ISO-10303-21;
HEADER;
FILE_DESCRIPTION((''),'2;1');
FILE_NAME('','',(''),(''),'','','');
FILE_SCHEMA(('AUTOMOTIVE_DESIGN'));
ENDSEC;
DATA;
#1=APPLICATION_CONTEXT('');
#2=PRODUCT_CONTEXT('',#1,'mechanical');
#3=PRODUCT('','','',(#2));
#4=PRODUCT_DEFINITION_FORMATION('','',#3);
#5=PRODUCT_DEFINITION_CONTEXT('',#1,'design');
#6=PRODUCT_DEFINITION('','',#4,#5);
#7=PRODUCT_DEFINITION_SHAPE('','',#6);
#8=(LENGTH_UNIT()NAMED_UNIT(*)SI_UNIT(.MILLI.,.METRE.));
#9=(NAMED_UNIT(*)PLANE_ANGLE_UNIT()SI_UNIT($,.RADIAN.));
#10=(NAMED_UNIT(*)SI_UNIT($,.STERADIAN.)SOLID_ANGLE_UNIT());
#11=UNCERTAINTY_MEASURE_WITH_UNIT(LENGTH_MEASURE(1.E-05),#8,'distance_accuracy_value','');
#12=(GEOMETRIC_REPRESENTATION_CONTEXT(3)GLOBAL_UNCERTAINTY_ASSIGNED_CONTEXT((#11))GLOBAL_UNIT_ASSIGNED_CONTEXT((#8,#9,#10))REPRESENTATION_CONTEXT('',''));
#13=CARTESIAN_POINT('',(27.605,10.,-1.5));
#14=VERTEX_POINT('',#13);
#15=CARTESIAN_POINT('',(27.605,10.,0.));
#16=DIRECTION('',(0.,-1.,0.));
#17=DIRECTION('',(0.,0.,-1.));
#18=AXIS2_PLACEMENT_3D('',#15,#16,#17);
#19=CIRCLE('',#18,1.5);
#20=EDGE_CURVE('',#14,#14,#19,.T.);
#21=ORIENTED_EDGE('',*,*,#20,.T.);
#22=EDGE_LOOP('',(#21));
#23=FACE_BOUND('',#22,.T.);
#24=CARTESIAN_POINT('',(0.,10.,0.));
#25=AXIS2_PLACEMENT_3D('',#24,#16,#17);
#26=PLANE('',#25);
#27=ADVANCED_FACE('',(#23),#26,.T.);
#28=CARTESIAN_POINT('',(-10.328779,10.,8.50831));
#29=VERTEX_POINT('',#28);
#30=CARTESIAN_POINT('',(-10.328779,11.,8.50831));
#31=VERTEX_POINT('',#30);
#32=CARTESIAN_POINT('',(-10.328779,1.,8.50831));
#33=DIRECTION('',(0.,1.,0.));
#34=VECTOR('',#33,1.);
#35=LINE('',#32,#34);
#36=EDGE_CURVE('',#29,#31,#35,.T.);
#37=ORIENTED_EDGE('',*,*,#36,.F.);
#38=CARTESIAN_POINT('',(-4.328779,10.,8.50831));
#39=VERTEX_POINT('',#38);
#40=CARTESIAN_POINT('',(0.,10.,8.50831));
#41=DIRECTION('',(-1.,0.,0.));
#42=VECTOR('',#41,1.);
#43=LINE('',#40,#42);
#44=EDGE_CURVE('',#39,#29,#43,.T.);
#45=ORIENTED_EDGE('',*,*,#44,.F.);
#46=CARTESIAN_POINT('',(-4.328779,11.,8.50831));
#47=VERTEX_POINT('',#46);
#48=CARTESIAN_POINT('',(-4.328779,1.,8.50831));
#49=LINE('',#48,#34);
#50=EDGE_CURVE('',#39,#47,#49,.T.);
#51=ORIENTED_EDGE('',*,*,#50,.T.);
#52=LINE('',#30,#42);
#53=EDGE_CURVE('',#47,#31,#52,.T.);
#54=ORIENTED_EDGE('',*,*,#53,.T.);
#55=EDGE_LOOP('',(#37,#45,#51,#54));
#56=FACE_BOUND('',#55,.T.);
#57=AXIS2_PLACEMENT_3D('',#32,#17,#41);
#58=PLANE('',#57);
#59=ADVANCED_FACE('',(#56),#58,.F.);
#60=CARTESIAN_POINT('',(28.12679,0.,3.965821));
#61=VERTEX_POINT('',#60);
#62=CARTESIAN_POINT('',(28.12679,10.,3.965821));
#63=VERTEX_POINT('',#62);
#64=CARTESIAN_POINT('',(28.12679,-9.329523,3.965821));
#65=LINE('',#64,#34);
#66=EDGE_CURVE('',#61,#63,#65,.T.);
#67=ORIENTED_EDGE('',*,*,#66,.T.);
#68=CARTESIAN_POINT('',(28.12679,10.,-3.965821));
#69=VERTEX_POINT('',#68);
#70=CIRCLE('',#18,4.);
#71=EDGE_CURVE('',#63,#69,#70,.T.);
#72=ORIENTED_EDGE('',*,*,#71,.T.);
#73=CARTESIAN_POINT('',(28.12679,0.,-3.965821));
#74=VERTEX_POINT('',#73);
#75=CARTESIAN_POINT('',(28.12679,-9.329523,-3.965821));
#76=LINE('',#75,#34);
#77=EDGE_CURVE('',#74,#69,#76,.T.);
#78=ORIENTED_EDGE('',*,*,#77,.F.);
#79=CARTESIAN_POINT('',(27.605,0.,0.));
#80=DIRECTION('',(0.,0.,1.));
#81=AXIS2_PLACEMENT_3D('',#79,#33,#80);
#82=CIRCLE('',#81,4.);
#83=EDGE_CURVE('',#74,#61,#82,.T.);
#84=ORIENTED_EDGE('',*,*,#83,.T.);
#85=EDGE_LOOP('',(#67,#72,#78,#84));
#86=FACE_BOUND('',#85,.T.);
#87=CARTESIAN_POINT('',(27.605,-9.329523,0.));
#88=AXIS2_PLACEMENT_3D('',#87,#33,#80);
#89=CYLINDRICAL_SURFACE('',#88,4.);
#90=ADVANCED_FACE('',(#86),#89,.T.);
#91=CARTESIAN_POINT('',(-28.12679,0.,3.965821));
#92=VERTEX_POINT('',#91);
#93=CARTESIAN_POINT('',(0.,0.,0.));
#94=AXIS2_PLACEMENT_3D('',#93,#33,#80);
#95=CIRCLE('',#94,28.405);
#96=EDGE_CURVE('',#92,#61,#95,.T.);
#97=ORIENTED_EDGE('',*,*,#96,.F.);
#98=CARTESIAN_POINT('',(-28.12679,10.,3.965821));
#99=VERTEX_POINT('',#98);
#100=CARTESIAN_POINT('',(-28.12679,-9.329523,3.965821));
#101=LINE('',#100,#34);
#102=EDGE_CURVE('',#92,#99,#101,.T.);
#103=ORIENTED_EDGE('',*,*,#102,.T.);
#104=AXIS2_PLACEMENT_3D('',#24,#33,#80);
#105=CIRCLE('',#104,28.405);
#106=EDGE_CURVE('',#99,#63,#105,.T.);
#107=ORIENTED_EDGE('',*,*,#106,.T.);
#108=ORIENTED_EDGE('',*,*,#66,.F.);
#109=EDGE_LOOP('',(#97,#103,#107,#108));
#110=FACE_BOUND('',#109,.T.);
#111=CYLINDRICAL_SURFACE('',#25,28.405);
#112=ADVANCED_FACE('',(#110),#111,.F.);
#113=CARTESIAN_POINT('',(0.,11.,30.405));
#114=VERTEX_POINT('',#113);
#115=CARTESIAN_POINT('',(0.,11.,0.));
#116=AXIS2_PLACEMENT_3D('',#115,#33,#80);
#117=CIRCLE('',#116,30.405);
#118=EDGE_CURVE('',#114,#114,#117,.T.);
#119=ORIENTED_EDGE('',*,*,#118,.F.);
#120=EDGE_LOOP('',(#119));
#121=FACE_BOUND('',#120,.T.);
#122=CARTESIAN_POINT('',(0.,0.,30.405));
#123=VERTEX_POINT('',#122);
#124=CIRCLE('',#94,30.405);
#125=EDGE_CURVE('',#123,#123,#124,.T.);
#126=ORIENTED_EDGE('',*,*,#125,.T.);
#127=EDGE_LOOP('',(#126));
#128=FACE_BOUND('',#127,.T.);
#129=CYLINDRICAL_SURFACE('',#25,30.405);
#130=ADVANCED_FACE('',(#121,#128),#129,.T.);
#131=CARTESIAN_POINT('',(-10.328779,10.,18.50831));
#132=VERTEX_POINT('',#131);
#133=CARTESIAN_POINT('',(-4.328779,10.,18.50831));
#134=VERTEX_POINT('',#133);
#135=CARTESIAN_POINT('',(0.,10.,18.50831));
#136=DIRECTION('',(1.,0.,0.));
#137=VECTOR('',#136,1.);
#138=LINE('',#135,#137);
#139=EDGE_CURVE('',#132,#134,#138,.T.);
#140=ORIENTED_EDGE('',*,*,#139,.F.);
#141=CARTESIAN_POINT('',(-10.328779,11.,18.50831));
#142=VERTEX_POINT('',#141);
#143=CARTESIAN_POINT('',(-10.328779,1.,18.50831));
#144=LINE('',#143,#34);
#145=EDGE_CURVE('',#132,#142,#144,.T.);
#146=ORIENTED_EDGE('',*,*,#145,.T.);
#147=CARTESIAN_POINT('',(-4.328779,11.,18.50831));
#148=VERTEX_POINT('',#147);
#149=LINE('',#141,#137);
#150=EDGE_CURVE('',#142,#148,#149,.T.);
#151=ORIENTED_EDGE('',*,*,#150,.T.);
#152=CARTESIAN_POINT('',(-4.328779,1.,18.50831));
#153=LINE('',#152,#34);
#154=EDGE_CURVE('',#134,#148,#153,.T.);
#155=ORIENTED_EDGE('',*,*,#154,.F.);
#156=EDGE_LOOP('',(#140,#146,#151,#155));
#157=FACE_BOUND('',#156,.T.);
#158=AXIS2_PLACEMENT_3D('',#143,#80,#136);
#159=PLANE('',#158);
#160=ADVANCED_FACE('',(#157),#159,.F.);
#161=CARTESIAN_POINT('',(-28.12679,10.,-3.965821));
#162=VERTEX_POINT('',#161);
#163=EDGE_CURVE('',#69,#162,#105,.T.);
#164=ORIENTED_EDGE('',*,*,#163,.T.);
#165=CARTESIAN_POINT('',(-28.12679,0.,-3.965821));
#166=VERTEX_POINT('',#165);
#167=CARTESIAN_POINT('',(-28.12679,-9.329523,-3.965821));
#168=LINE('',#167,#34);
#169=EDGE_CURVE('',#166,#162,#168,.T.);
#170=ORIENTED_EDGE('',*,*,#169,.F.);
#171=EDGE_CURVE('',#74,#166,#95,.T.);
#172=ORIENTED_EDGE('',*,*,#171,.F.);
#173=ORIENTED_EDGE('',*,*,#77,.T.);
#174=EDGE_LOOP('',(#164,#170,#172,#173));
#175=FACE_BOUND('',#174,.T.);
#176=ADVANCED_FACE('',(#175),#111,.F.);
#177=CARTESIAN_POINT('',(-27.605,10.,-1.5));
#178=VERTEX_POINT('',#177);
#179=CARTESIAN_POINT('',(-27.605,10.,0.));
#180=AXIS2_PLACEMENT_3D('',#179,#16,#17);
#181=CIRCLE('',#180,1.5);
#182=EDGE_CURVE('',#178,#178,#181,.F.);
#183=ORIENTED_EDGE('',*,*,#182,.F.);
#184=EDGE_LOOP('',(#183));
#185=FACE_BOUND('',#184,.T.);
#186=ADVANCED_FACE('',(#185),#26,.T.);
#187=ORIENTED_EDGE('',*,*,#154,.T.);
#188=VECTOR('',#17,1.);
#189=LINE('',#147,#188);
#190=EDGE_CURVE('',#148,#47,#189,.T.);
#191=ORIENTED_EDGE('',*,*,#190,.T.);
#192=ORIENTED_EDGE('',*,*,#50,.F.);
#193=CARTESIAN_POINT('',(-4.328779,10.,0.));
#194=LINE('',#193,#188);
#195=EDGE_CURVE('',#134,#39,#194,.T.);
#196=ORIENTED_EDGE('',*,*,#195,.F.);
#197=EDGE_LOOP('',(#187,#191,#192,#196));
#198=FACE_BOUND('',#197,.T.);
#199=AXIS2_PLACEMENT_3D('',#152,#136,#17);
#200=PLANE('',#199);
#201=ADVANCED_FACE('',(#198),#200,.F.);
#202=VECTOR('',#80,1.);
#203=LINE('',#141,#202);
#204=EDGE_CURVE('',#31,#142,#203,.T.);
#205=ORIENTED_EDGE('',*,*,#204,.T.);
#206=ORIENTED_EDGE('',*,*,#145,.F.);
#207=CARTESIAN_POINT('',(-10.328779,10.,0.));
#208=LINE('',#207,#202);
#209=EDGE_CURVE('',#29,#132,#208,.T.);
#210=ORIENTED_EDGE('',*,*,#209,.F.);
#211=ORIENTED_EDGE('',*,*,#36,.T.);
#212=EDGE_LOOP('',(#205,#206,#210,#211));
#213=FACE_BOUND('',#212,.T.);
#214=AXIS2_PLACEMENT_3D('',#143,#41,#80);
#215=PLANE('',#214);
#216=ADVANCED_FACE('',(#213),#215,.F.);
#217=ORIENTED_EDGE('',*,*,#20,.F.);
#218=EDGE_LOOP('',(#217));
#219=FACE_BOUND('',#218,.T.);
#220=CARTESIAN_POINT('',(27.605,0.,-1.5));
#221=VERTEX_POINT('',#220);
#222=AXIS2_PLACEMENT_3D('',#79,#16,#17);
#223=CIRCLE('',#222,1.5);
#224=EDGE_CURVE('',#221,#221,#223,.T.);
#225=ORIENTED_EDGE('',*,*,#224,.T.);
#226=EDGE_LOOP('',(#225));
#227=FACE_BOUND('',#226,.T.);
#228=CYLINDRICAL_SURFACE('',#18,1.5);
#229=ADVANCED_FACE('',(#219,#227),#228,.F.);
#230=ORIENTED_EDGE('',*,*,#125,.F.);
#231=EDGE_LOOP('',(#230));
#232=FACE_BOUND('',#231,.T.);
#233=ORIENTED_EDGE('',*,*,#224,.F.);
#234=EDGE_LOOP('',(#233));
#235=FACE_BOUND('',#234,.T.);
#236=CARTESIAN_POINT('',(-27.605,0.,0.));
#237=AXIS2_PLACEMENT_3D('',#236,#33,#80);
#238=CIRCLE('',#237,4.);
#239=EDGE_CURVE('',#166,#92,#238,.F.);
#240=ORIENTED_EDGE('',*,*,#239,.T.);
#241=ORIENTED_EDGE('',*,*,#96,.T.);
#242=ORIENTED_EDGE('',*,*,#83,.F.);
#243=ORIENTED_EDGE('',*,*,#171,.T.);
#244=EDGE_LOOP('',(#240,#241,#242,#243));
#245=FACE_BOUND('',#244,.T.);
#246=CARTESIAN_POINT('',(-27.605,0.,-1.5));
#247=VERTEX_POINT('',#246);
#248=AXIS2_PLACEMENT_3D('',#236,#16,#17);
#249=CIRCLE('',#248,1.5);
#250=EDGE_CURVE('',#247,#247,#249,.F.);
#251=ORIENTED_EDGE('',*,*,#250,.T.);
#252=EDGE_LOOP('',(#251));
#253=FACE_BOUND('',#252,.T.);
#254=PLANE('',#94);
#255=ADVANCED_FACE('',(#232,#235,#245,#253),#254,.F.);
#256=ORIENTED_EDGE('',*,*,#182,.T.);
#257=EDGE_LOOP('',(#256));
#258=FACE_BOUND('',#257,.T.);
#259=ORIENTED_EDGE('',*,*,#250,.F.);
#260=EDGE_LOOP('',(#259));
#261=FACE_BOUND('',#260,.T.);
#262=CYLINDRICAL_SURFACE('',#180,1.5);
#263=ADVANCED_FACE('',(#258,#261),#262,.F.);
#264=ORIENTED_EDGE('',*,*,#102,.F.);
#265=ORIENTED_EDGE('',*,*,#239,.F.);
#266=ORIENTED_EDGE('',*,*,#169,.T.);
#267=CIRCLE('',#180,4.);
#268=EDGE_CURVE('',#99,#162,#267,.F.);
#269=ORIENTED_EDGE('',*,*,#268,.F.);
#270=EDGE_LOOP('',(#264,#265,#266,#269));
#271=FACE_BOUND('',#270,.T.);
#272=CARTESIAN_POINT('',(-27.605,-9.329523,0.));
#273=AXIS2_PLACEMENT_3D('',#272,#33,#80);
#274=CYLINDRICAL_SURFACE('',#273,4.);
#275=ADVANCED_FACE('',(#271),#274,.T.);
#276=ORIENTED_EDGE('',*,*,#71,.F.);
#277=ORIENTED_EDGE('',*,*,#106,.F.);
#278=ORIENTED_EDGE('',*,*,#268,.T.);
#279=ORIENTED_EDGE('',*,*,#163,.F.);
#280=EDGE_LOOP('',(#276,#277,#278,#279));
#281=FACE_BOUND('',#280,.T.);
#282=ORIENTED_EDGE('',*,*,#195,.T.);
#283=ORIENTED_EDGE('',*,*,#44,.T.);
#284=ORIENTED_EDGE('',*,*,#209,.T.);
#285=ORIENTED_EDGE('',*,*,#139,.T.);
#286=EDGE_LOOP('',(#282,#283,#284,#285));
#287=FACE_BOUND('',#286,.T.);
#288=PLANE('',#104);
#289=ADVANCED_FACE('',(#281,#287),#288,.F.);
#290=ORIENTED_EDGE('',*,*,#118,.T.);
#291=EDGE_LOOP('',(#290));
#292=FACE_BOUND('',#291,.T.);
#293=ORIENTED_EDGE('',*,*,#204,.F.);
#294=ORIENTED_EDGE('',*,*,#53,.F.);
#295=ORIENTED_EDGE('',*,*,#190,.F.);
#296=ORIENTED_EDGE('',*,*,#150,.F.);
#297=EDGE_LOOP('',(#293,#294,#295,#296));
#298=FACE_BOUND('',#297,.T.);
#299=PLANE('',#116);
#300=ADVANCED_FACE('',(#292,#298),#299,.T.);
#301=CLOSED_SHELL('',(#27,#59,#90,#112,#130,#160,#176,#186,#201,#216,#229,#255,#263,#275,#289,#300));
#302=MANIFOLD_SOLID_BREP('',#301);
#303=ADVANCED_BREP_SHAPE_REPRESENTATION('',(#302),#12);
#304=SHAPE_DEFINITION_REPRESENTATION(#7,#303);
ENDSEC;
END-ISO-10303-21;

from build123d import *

# Parameters (mm, degrees)
SKIZZE1_R                       = 30.405
SKIZZE1_R_2                     = 28.405
AUFSATZ_LINEAR_AUSTRAGEN1_DEPTH = 10
SKIZZE2_R                       = 30.405
AUFSATZ_LINEAR_AUSTRAGEN2_DEPTH = 1
AUFSATZ_LINEAR_START            = 10
AUFSATZ_LINEAR_AUSTRAGEN3_DEPTH = 10
SKIZZE5_R                       = 1.5
SCHNITT_LINEAR_AUSTRAGEN2_DEPTH = 10
SKIZZE6_W                       = 6
SKIZZE6_H                       = 10
SCHNITT_LINEAR_AUSTRAGEN3_DEPTH = 10


with BuildPart() as part:
    # Skizze1 → Aufsatz-Linear austragen1 (new body)
    with BuildSketch(Plane(origin=(0, 0, 0), x_dir=(1, 0, 0), z_dir=(0, 1, 0))):
        with Locations(Location((0, 0, 0), (0, 0, 270))):
            Circle(SKIZZE1_R)
        with Locations(Location((0, 0, 0), (0, 0, 270))):
            Circle(SKIZZE1_R_2, mode=Mode.SUBTRACT)
    extrude(amount=AUFSATZ_LINEAR_AUSTRAGEN1_DEPTH)

    # Skizze2 → Aufsatz-Linear austragen2 (add)
    with BuildSketch(Plane(origin=(0, 10, 0), x_dir=(1, 0, 0), z_dir=(0, 1, 0))):
        with Locations(Location((0, 0, 0), (0, 0, 270))):
            Circle(SKIZZE2_R)
    extrude(amount=AUFSATZ_LINEAR_AUSTRAGEN2_DEPTH)

    # Skizze4 → Aufsatz-Linear austragen3 (add)
    with BuildSketch(Plane.XZ.offset(-10).offset(AUFSATZ_LINEAR_START)):
        with BuildLine():
            ThreePointArc((-28.126789531, -3.965820935), (-23.605, 0), (-28.126789531, 3.965820935))
            ThreePointArc((-28.126789531, 3.965820935), (-28.405, 0), (-28.126789531, -3.965820935))
        make_face()
        with BuildLine():
            ThreePointArc((28.405, 0), (28.33536202, 1.987783738), (28.126789531, 3.965820935))
            ThreePointArc((28.126789531, 3.965820935), (23.605, 0), (28.126789531, -3.965820935))
            ThreePointArc((28.126789531, -3.965820935), (28.33536202, -1.987783738), (28.405, 0))
        make_face()
    extrude(amount=-AUFSATZ_LINEAR_AUSTRAGEN3_DEPTH)

    # Skizze5 → Schnitt-Linear austragen2 (cut)
    with BuildSketch(Plane.XZ):
        with Locations(Location((-27.605, 0, 0), (0, 0, 270))):
            Circle(SKIZZE5_R)
        with BuildLine():
            ThreePointArc((29.105, 0), (27.605, 1.5), (26.105, 0))
            Line((26.105, 0), (29.105, 0))
        make_face()
        with BuildLine():
            Line((29.105, 0), (26.105, 0))
            ThreePointArc((26.105, 0), (27.605, -1.5), (29.105, 0))
        make_face()
    extrude(amount=-SCHNITT_LINEAR_AUSTRAGEN2_DEPTH, mode=Mode.SUBTRACT)

    # Skizze6 → Schnitt-Linear austragen3 (cut)
    with BuildSketch(Plane(origin=(0, 11, 0), x_dir=(1, 0, 0), z_dir=(0, 1, 0))):
        with Locations((-7.328778972, -13.508309901)):
            Rectangle(SKIZZE6_W, SKIZZE6_H)
    extrude(amount=-SCHNITT_LINEAR_AUSTRAGEN3_DEPTH, mode=Mode.SUBTRACT)


solid = part.part
